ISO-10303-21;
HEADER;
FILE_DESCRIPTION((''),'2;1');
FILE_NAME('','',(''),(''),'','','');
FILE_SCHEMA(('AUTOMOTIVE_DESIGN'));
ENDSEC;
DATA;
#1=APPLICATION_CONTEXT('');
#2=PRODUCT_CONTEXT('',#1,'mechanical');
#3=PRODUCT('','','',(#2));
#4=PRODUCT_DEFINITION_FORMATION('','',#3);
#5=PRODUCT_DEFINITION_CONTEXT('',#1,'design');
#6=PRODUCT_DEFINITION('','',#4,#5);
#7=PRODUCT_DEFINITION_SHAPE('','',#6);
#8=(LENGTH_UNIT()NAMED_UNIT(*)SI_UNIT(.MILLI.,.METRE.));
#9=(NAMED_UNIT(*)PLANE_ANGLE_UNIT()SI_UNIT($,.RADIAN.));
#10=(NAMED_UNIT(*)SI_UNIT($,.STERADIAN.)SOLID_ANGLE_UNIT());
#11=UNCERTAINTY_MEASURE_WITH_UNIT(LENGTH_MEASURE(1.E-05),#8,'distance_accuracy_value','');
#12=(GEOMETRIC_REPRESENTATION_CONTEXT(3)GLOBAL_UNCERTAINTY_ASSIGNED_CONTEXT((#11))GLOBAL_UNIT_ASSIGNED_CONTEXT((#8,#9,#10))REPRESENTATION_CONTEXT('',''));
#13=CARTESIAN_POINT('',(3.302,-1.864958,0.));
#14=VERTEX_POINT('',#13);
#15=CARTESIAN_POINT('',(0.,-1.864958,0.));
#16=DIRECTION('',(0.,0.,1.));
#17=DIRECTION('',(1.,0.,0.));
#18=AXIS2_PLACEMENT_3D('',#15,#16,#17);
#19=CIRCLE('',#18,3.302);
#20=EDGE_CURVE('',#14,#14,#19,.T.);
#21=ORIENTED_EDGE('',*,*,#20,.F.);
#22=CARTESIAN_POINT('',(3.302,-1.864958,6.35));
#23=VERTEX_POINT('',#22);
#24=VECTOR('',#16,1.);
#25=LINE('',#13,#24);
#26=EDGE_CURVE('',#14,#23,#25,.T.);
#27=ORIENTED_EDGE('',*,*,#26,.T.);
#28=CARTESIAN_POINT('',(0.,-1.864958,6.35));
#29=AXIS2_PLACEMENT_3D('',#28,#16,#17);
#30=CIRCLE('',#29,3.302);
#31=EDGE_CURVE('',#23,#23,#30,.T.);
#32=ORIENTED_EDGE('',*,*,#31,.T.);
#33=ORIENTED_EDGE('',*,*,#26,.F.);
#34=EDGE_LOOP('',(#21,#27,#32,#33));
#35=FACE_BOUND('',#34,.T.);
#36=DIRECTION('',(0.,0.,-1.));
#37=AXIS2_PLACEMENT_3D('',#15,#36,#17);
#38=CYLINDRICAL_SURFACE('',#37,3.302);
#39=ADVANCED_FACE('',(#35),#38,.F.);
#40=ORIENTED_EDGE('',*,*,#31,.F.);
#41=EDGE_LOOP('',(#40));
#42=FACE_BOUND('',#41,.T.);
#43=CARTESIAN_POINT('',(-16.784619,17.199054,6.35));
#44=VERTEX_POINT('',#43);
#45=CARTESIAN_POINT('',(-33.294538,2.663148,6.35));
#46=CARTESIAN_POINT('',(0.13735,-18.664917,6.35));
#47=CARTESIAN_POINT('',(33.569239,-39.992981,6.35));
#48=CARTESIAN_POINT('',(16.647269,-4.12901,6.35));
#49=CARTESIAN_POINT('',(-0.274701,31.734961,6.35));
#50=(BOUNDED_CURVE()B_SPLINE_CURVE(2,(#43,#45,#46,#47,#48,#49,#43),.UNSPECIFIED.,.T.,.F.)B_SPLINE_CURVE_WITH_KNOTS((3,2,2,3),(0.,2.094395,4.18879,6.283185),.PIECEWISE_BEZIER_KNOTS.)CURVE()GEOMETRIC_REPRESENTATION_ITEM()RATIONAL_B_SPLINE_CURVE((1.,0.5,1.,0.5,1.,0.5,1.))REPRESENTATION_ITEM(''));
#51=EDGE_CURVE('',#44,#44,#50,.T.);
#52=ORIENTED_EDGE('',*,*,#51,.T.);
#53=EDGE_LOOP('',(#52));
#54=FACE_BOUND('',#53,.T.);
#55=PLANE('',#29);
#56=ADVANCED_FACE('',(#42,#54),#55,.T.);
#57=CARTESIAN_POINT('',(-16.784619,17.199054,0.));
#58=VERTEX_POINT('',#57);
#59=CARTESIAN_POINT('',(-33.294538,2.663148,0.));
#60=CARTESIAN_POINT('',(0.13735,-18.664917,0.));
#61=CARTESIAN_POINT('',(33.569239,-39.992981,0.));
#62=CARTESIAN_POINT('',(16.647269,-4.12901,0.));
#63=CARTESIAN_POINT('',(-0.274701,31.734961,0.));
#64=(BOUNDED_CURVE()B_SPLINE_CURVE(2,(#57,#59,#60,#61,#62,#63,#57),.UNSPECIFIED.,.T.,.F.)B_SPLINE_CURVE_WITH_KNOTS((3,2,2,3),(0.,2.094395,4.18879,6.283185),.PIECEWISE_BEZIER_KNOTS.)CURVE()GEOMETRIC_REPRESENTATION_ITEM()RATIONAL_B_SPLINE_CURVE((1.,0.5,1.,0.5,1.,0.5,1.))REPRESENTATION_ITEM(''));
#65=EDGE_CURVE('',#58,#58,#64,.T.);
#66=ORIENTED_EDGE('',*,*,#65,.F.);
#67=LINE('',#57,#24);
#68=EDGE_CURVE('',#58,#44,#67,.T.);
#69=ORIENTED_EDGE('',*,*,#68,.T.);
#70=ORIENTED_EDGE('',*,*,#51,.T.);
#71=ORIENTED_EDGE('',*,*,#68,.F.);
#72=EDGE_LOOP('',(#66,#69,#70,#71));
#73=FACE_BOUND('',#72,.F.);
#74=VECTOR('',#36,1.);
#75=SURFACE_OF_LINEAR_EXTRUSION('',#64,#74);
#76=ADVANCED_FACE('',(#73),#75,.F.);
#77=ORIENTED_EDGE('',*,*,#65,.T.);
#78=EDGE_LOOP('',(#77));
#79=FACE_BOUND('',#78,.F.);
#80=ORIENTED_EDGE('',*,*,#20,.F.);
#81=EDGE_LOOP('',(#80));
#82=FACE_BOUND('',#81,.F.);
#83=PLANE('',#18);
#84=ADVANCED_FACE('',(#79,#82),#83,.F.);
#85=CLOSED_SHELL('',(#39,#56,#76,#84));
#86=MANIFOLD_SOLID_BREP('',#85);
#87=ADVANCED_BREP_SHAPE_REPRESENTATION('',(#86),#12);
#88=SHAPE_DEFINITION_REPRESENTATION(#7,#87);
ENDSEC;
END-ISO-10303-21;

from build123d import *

# Parameters (mm, degrees)
F0_R     = 3.302
F1_DEPTH = 6.35


with BuildPart() as f1:
    # F0 (on Top) → F1 (new body)
    with BuildSketch(Plane.XY):
        with BuildLine():
            add(Edge.make_bspline(
                [(-16.784619, 17.199054), (-33.294538, 2.663148), (0.13735, -18.664917), (33.569239, -39.992981), (16.647269, -4.12901), (-0.274701, 31.734961), (-16.784619, 17.199054)],
                knots=[0, 0, 0, 2.094395, 2.094395, 4.18879, 4.18879, 6.283185, 6.283185, 6.283185], degree=2, weights=[1, 0.5, 1, 0.5, 1, 0.5, 1]))
        make_face()
        with Locations((0, -1.864958)):
            Circle(F0_R, mode=Mode.SUBTRACT)
    extrude(amount=F1_DEPTH)


solid = f1.part
